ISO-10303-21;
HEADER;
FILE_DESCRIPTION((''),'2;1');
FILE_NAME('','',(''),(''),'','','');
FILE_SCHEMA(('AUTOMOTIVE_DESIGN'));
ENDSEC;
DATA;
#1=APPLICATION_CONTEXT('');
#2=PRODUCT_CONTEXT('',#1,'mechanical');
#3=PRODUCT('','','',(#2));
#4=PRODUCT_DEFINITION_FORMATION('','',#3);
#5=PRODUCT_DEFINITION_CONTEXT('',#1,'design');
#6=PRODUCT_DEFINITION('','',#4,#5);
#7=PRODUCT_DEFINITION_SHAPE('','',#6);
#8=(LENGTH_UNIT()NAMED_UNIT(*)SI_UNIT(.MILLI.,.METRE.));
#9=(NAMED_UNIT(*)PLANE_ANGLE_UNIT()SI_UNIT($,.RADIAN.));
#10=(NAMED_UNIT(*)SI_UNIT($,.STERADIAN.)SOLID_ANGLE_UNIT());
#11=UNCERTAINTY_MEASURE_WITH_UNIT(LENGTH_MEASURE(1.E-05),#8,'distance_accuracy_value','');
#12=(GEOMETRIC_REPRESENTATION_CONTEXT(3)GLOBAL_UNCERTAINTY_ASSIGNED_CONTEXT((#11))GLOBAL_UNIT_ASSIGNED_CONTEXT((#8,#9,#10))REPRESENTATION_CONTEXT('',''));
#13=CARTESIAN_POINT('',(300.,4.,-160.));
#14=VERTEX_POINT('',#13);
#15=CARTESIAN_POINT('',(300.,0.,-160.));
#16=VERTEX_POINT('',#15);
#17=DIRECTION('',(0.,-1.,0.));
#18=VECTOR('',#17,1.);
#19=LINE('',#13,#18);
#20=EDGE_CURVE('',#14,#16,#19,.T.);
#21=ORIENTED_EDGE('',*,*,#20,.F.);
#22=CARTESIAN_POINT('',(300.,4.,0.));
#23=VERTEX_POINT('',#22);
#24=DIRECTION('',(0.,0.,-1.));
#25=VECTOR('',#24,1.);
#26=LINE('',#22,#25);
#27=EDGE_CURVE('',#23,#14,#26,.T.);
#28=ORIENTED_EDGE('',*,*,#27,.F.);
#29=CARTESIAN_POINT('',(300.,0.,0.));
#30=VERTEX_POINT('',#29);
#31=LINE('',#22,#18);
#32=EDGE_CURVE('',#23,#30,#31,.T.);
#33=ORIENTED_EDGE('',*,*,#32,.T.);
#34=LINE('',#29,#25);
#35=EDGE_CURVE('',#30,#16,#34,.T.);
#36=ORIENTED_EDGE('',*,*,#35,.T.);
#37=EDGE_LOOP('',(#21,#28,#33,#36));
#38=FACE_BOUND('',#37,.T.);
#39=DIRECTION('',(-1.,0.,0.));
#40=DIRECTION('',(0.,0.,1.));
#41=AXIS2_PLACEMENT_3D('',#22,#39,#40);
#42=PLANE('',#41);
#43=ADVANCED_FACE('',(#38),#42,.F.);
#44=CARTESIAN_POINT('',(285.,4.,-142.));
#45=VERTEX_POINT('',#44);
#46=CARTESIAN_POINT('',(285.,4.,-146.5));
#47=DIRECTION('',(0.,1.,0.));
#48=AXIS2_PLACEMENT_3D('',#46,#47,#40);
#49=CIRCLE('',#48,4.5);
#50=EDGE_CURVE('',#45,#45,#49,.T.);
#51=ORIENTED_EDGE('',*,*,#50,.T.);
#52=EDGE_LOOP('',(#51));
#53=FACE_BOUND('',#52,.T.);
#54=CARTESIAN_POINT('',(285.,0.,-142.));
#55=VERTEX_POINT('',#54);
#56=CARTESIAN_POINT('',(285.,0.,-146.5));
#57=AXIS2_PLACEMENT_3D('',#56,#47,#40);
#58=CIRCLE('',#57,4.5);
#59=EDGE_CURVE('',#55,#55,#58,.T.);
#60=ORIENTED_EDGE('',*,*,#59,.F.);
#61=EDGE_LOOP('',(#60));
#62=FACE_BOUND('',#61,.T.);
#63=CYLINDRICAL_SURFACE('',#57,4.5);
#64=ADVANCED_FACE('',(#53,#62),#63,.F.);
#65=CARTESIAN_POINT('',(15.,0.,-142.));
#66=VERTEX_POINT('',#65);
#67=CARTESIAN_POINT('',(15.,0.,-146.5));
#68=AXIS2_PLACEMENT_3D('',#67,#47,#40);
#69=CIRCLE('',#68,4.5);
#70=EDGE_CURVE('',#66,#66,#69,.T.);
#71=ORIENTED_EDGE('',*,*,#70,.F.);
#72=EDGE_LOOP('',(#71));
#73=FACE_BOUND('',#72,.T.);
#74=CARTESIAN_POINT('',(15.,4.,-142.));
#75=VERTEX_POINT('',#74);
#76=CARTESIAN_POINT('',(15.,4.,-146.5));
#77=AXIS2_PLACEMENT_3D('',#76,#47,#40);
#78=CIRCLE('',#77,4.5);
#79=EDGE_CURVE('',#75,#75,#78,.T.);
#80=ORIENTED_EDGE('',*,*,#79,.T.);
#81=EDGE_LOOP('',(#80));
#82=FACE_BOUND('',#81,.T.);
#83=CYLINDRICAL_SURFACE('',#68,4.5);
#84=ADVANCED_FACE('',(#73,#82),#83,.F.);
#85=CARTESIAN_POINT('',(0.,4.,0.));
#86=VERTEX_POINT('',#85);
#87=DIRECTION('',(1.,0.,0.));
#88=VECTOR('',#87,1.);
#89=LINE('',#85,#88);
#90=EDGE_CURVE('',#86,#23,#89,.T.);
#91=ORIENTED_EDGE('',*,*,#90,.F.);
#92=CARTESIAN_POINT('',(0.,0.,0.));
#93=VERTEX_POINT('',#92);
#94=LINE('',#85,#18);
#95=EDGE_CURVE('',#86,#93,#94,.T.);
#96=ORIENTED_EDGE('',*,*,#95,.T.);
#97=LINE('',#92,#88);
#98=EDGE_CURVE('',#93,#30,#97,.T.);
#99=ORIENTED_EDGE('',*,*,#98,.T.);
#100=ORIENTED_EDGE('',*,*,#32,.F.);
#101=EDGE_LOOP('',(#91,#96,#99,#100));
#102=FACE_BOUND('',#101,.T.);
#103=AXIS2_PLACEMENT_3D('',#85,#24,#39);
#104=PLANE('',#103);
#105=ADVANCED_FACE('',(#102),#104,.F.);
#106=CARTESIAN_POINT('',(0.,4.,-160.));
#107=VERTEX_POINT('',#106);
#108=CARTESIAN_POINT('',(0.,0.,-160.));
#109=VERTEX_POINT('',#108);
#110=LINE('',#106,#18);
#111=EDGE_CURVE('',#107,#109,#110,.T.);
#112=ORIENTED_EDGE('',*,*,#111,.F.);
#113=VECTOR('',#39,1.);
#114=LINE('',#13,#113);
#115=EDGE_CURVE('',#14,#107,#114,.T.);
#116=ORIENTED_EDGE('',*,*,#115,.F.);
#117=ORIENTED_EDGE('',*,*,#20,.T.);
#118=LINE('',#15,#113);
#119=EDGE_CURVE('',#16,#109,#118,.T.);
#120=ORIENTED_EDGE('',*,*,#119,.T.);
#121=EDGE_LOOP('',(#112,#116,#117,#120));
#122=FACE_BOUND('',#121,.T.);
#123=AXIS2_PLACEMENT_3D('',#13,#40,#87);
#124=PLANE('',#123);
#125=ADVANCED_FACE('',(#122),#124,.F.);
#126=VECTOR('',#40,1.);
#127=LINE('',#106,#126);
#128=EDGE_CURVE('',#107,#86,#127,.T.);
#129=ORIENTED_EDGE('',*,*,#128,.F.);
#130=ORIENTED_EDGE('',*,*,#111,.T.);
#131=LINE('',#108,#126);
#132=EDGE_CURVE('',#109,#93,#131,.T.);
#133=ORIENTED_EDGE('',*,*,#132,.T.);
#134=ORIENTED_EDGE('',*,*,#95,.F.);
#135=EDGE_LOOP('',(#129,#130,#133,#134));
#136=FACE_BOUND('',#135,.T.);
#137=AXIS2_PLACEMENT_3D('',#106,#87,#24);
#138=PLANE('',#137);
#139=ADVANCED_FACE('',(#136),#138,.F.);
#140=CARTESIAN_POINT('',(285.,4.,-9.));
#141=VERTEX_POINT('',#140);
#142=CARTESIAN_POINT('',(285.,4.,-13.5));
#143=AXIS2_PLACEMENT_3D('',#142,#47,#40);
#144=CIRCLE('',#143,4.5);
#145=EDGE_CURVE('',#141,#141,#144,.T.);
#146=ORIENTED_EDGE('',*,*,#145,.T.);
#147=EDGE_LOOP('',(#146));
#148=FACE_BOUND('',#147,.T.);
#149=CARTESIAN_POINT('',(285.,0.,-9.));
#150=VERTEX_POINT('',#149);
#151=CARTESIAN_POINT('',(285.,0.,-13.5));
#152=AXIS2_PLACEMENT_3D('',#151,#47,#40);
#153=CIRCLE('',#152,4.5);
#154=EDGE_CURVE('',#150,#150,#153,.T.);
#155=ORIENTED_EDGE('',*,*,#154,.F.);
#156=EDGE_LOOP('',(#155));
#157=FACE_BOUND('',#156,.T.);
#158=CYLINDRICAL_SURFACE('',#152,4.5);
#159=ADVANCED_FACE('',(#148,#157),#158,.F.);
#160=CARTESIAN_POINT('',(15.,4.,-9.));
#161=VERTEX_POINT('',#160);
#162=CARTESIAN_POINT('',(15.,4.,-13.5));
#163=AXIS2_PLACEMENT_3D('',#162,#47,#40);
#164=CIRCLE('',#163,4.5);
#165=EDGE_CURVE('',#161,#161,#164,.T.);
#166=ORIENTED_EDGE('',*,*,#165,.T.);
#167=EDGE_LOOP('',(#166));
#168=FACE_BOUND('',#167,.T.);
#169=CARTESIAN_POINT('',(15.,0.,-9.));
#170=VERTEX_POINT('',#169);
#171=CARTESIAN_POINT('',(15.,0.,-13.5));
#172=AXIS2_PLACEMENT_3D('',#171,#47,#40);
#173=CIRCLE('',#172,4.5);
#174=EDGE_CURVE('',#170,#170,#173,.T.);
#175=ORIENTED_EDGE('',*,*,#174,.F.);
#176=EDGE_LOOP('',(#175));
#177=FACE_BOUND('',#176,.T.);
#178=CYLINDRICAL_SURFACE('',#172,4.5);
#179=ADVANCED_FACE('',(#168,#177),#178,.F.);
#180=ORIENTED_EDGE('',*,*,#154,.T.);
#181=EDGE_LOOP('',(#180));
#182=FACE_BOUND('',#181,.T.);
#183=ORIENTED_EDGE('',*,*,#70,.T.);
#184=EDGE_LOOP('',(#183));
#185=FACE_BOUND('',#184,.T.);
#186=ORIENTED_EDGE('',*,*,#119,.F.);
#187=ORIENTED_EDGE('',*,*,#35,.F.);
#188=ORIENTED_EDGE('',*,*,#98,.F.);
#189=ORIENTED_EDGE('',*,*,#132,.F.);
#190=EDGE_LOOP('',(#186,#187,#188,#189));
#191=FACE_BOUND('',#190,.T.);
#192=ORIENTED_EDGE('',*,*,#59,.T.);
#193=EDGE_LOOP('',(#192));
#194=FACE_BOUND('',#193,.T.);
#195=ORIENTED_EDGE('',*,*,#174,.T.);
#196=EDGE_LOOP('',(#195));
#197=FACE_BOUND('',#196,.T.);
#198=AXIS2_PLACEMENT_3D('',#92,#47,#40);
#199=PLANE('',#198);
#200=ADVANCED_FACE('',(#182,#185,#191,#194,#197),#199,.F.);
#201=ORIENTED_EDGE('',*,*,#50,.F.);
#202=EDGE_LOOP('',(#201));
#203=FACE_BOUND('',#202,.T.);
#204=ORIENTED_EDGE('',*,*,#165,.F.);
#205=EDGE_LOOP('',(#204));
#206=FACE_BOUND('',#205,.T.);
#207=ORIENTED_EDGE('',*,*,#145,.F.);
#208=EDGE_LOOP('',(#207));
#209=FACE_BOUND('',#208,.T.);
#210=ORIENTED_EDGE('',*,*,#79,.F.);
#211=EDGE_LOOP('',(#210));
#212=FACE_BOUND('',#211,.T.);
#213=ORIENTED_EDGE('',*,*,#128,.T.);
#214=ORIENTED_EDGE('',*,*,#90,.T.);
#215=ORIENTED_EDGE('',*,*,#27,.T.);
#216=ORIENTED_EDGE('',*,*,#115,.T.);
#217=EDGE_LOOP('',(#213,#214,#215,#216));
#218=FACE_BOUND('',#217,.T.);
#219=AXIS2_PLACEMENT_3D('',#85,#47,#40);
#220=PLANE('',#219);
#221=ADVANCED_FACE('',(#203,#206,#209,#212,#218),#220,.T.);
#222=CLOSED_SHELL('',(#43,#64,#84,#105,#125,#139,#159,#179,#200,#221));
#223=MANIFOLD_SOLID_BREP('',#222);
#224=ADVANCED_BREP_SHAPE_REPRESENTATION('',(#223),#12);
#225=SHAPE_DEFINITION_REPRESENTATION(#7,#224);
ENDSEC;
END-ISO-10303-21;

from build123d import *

# Parameters (mm, degrees)
SKETCH1_W           = 300
SKETCH1_H           = 160
BOSS_EXTRUDE2_DEPTH = 4
SKETCH3_R           = 4.5
CUT_EXTRUDE2_DEPTH  = 4


with BuildPart() as part:
    # Sketch1 → Boss-Extrude2 (new body)
    with BuildSketch(Plane(origin=(0, 0, 0), x_dir=(1, 0, 0), z_dir=(0, 1, 0))):
        with Locations((150, 80)):
            Rectangle(SKETCH1_W, SKETCH1_H)
    extrude(amount=BOSS_EXTRUDE2_DEPTH)

    # Sketch3 → Cut-Extrude2 (cut)
    with BuildSketch(Plane(origin=(0, 4, 0), x_dir=(1, 0, 0), z_dir=(0, 1, 0))):
        with Locations(Location((15, 146.5, 0), (0, 0, 270))):
            Circle(SKETCH3_R)
        with Locations(Location((285, 146.5, 0), (0, 0, 270))):
            Circle(SKETCH3_R)
        with Locations(Location((285, 13.5, 0), (0, 0, 270))):
            Circle(SKETCH3_R)
        with Locations(Location((15, 13.5, 0), (0, 0, 270))):
            Circle(SKETCH3_R)
    extrude(amount=-CUT_EXTRUDE2_DEPTH, mode=Mode.SUBTRACT)


solid = part.part
